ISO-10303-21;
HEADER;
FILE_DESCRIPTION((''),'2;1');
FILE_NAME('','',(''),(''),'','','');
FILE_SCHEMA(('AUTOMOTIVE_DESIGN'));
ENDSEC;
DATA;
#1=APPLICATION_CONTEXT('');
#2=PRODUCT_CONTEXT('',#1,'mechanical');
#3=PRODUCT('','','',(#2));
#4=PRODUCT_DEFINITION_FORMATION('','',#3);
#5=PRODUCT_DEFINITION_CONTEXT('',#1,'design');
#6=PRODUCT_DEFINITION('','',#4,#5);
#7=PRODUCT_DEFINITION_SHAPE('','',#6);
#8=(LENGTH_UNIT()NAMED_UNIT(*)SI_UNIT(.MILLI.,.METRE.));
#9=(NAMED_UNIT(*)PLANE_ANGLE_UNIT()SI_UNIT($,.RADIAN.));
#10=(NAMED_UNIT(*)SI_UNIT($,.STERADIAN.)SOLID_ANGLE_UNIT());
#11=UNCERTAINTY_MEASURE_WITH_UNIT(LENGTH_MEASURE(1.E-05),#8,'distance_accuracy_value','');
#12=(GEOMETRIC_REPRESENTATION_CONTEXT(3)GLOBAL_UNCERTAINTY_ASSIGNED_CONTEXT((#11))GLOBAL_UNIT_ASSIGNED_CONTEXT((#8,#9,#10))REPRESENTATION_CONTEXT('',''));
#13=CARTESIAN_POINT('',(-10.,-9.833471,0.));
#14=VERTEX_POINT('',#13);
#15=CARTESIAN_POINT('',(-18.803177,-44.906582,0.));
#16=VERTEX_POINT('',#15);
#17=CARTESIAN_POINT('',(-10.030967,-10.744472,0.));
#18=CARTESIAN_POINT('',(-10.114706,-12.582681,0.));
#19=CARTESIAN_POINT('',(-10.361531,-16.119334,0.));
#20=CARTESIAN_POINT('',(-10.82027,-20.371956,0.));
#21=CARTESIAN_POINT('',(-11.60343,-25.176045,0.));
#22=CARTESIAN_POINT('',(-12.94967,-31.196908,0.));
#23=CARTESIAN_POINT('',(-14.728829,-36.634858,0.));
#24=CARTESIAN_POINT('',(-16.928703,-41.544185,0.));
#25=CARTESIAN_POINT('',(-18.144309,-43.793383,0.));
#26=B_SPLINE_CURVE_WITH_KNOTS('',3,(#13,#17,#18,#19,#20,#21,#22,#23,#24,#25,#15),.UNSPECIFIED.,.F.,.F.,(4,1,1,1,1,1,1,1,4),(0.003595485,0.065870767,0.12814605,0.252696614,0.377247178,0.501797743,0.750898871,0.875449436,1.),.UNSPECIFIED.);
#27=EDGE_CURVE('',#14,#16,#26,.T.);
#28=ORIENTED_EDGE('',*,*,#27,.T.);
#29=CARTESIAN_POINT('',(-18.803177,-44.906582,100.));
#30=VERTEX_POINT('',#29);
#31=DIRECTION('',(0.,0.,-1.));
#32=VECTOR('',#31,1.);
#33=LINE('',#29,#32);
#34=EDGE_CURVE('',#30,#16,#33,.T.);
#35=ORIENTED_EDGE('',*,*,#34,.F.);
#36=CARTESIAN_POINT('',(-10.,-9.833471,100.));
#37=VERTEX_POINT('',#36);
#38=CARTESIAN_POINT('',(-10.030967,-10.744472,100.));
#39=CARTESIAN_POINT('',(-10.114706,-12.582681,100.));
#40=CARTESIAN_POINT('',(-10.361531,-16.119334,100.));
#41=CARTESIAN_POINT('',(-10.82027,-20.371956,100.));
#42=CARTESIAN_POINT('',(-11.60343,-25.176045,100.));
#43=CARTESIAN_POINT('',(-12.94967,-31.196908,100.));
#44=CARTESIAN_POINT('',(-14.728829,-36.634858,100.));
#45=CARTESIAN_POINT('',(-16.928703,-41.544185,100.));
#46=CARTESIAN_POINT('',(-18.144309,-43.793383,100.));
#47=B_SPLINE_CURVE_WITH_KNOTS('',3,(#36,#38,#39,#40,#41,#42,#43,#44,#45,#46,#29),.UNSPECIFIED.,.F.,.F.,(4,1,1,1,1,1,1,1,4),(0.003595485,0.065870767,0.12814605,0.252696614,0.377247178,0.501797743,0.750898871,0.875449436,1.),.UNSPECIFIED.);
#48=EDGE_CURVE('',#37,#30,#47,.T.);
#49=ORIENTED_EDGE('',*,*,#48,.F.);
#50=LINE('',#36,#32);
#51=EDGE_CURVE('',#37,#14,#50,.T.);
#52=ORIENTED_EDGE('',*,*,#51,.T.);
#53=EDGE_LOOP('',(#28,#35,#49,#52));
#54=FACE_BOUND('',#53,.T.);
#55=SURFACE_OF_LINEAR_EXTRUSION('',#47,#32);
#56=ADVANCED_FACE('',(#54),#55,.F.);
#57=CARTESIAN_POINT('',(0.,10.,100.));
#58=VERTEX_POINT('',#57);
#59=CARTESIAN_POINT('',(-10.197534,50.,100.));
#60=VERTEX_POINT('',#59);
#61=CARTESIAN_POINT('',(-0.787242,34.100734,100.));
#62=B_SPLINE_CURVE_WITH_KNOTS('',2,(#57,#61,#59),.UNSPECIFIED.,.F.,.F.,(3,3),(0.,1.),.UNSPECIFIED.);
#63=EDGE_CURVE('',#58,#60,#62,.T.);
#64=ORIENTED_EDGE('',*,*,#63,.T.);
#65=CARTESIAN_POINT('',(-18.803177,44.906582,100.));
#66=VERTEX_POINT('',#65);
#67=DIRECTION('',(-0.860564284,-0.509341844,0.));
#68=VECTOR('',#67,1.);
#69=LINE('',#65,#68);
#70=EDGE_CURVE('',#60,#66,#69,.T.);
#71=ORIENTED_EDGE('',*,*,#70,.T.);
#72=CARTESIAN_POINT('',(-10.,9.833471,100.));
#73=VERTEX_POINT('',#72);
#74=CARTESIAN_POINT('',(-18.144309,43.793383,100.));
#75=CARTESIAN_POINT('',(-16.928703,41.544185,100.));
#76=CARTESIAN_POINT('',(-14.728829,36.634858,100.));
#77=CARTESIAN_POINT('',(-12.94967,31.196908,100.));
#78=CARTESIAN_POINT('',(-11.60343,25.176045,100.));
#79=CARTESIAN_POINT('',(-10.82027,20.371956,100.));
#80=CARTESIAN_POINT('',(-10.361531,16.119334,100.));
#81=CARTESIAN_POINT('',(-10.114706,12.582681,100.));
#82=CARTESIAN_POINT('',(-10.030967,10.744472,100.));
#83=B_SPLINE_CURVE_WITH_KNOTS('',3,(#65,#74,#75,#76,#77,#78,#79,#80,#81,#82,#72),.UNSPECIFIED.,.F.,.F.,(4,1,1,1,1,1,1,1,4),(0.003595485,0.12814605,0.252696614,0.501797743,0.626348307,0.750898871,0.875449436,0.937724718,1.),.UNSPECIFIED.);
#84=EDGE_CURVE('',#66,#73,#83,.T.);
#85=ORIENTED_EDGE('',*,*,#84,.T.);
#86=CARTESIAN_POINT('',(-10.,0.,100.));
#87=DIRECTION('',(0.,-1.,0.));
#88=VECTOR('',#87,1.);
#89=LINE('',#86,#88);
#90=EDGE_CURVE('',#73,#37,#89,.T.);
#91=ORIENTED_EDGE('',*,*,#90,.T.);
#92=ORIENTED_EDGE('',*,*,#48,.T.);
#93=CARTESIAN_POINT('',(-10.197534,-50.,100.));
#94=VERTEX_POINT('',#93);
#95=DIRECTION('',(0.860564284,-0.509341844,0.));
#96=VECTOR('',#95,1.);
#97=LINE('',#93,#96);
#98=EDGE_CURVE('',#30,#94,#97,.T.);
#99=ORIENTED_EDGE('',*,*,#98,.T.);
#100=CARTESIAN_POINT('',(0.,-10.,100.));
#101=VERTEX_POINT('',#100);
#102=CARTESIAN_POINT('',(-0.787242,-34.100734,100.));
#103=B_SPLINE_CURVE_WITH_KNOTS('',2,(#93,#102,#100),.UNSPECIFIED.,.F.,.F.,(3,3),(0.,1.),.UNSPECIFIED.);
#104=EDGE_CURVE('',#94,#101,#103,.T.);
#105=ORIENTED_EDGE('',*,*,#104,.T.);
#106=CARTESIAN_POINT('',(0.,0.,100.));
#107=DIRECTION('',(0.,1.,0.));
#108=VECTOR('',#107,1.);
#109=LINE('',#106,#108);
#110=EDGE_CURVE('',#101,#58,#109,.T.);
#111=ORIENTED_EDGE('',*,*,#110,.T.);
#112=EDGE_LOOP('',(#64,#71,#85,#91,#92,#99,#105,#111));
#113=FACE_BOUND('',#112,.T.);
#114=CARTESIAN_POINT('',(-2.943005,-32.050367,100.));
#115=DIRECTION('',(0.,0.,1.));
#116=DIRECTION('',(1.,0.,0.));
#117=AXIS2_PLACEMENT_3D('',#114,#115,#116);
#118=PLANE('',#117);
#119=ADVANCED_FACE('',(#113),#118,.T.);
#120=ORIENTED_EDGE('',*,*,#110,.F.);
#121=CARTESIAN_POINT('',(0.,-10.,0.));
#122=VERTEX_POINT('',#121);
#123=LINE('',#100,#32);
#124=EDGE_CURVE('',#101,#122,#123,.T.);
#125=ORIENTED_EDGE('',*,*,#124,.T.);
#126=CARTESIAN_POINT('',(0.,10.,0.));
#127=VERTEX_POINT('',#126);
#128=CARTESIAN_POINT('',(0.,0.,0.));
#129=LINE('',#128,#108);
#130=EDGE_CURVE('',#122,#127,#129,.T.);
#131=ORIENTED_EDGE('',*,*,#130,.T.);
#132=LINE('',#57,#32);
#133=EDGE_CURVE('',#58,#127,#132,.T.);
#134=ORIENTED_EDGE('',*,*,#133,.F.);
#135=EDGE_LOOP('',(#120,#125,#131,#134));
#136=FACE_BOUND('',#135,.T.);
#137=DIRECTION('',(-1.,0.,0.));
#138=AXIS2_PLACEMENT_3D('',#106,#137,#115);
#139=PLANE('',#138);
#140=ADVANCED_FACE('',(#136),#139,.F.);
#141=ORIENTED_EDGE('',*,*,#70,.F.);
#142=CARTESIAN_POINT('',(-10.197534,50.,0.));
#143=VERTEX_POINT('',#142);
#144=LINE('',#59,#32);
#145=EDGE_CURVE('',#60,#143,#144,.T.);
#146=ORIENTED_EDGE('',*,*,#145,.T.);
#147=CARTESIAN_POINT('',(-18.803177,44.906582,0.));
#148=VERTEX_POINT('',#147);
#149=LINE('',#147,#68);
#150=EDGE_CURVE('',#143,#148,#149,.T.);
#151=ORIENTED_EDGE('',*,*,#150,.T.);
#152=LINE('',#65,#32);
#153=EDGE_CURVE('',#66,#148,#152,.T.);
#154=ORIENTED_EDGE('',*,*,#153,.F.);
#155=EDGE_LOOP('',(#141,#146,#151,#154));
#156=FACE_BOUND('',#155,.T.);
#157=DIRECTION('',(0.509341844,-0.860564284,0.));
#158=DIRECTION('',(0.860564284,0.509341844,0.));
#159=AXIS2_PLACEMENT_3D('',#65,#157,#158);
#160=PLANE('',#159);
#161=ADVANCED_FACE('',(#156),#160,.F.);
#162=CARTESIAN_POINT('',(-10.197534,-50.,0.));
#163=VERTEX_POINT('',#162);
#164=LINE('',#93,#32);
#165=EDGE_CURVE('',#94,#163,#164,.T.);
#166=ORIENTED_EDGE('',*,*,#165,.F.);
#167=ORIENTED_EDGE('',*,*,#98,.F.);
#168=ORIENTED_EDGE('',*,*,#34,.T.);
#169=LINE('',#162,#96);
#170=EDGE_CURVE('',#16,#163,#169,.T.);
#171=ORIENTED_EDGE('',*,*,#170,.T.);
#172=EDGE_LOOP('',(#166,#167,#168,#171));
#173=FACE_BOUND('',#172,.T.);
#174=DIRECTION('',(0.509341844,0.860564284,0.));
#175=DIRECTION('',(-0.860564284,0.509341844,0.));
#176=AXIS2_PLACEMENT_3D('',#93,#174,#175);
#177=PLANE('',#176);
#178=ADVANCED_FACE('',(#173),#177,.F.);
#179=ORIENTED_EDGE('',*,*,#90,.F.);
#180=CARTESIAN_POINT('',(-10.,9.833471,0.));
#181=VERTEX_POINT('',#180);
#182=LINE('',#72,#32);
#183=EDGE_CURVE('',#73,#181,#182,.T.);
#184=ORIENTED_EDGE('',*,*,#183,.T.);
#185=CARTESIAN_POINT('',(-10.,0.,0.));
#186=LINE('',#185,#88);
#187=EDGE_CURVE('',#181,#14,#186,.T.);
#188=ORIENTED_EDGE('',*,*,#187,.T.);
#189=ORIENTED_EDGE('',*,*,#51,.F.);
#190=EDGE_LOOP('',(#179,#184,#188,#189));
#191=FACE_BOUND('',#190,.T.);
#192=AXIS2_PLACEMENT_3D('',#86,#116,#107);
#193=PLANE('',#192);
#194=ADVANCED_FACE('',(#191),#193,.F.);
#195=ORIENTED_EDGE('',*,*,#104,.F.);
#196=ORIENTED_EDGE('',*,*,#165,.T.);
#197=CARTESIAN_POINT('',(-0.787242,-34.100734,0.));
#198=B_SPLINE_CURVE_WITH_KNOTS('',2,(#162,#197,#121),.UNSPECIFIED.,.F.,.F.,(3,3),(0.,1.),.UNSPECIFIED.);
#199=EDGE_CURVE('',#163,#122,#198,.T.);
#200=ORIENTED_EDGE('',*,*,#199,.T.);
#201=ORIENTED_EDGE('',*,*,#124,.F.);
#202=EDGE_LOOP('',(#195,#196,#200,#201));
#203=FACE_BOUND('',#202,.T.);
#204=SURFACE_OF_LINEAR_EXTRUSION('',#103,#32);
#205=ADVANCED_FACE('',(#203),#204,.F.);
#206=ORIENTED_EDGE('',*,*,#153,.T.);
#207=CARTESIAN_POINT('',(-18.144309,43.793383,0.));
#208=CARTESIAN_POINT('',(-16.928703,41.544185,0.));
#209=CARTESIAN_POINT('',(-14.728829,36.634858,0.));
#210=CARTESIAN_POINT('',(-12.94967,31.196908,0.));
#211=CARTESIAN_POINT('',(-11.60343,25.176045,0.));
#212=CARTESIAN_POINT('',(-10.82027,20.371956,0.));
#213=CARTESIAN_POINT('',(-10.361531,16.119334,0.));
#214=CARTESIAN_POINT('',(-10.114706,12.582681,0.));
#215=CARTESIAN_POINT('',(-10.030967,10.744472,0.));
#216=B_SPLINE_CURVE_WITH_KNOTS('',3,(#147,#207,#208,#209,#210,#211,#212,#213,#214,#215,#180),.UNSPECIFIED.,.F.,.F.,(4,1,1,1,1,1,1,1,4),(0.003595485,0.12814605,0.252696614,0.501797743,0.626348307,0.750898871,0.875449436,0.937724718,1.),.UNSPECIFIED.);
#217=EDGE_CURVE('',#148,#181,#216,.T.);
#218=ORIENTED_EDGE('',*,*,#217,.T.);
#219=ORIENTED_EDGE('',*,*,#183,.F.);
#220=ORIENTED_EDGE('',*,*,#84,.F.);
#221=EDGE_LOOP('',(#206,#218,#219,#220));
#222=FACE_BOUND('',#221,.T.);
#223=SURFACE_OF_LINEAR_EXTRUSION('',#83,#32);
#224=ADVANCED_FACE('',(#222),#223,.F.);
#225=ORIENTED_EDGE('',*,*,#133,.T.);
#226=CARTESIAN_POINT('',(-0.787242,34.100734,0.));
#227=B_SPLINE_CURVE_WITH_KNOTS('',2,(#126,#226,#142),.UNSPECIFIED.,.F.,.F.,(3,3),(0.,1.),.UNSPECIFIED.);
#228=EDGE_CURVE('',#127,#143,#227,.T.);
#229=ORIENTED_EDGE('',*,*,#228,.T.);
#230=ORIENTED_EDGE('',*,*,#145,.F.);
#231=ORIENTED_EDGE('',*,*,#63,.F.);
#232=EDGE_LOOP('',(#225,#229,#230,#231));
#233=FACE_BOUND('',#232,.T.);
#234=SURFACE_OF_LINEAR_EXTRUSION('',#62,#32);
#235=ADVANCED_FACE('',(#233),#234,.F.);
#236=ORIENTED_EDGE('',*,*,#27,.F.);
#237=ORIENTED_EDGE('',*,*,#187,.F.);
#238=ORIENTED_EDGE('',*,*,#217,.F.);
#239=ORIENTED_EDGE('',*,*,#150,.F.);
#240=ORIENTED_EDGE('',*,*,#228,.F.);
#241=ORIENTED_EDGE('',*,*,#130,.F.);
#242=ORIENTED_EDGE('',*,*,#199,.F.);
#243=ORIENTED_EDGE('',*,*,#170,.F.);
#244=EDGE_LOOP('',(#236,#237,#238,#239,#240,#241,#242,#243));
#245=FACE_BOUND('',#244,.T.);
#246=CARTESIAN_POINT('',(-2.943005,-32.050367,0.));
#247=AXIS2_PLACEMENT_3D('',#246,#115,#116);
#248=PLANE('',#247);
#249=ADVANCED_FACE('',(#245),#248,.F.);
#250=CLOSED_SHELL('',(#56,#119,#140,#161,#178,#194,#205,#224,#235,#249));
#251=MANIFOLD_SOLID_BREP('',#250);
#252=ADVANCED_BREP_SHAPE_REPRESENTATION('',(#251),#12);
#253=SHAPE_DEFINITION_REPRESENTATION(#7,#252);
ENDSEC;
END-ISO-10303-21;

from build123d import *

# Parameters (mm, degrees)
BOSS_EXTRUDE1_DEPTH = 100


with BuildPart() as part:
    # Sketch1 → Boss-Extrude1 (new body)
    with BuildSketch(Plane.XY):
        with BuildLine():
            Line((0, 0), (0, 10))
            add(Edge.make_bspline(
                [(0, 10), (-0.787242099, 34.100733869), (-10.197534483, 50)],
                knots=[0, 0, 0, 1, 1, 1], degree=2))
            Line((-10.197534483, 50), (-18.803177319, 44.906581563))
            add(Edge.make_bspline(
                [(-10, 9.833471065), (-10.030967353, 10.744471696), (-10.114706096, 12.582680835), (-10.361531, 16.119334261), (-10.820269758, 20.371956037), (-11.603430489, 25.176045178), (-12.949670493, 31.196907646), (-14.728828853, 36.634857764), (-16.928703227, 41.544185237), (-18.144309171, 43.793383416), (-18.803177319, 44.906581563)],
                knots=[0.003595485, 0.003595485, 0.003595485, 0.003595485, 0.065870767, 0.12814605, 0.252696614, 0.377247178, 0.501797743, 0.750898871, 0.875449436, 1, 1, 1, 1], degree=3))
            Line((-10, 9.833471065), (-10, 0))
            Line((-10, 0), (-10, -9.833471065))
            add(Edge.make_bspline(
                [(-18.803177319, -44.906581563), (-18.144309171, -43.793383416), (-16.928703227, -41.544185237), (-14.728828853, -36.634857764), (-12.949670493, -31.196907646), (-11.603430489, -25.176045178), (-10.820269758, -20.371956037), (-10.361531, -16.119334261), (-10.114706096, -12.582680835), (-10.030967353, -10.744471696), (-10, -9.833471065)],
                knots=[0.003595485, 0.003595485, 0.003595485, 0.003595485, 0.12814605, 0.252696614, 0.501797743, 0.626348307, 0.750898871, 0.875449436, 0.937724718, 1, 1, 1, 1], degree=3))
            Line((-18.803177319, -44.906581563), (-10.197534483, -50))
            add(Edge.make_bspline(
                [(0, -10), (-0.787242099, -34.100733869), (-10.197534483, -50)],
                knots=[0, 0, 0, 1, 1, 1], degree=2))
            Line((0, -10), (0, 0))
        make_face()
    extrude(amount=BOSS_EXTRUDE1_DEPTH)


solid = part.part
